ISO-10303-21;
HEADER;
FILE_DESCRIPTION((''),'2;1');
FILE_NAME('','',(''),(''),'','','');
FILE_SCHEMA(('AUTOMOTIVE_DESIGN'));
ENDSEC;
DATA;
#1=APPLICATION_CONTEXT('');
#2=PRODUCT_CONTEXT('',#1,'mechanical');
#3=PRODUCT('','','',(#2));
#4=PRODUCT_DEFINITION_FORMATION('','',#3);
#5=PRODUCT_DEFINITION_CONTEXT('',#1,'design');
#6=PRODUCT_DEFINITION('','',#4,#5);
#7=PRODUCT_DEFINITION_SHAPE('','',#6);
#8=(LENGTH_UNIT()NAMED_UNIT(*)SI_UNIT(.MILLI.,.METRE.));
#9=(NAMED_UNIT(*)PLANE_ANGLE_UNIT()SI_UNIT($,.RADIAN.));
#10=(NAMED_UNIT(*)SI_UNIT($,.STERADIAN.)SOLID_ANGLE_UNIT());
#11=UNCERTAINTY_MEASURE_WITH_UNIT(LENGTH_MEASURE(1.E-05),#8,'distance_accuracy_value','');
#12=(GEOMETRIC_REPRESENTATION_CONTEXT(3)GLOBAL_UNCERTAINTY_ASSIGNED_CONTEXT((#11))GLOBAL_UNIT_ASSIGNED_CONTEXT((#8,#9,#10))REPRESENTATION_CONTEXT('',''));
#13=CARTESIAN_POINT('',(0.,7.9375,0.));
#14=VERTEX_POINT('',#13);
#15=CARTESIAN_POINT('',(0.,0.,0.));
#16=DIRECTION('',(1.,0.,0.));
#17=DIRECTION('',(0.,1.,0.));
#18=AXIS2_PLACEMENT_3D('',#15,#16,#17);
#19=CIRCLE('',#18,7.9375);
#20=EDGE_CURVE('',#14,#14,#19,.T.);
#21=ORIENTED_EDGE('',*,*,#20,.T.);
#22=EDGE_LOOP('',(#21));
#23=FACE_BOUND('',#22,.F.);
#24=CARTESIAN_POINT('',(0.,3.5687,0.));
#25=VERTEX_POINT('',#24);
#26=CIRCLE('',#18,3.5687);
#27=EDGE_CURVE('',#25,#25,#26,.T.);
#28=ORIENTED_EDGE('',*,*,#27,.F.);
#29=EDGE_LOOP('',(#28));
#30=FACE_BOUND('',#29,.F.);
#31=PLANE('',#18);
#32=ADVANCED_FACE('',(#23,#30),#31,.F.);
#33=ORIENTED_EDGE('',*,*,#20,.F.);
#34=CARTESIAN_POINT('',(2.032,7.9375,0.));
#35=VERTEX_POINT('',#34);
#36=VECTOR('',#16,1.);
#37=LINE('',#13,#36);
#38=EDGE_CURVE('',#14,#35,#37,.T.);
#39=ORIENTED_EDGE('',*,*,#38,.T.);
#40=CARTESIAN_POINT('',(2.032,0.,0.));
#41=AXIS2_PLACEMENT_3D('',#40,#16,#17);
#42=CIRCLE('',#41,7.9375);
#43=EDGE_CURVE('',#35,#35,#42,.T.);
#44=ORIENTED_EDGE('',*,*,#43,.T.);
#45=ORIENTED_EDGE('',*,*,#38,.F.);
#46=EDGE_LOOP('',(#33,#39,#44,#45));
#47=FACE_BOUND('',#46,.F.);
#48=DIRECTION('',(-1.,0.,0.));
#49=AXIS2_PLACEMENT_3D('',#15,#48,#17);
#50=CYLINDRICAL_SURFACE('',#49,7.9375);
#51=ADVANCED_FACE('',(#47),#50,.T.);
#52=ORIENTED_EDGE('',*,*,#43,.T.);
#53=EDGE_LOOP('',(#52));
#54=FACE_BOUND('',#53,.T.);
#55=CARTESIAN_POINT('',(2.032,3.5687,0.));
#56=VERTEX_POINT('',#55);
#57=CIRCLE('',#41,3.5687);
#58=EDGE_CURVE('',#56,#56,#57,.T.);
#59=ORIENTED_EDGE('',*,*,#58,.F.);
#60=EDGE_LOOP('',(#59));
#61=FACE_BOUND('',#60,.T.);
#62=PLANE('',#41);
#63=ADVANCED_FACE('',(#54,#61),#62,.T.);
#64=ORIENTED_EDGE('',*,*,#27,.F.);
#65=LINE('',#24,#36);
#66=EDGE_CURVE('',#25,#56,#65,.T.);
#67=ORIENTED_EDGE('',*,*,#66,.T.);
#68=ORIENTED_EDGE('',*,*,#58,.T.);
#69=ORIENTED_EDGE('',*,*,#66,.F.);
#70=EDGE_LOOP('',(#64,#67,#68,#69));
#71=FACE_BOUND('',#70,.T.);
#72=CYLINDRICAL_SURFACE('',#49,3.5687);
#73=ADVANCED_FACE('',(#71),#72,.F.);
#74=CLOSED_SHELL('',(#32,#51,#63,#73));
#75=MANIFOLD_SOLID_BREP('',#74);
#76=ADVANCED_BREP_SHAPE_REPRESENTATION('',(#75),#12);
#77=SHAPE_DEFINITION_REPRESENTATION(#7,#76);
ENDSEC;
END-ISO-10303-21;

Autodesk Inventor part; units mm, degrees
ref_plane "YZ Plane" through (0, 0, 0) normal (1, 0, 0) x (0, 1, 0)
ref_plane "XZ Plane" through (0, 0, 0) normal (0, 1, 0) x (-1, 0, 0)
sketch "Sketch" plane through (0, 0, 0) normal (1, 0, 0) x (0, 1, 0)
  circle A0 centre (0, 0) radius 7.9375
  circle A1 centre (0, 0) radius 3.5687
  dimension "d0" = 7.1374
  dimension "d1" = 15.875
extrude "Body" add sketch "Sketch" along normal blind 2.032
ref_plane "Work Plane1" through (0, 0, 0) normal (0, 0, 1) x (1, 0, 0)
equation "\"d0\" = SD1"
equation "\"d1\" = SD2"
equation "\"d2\" = SD"
equation "\"SD1\" = 7.1374"
equation "\"SD2\" = 15.875"
equation "\"SD\" = 2.032"
equation "\"NND\" = 6.35"
properties part number "ASTM F436 - 1/4" material "Steel, Mild"
